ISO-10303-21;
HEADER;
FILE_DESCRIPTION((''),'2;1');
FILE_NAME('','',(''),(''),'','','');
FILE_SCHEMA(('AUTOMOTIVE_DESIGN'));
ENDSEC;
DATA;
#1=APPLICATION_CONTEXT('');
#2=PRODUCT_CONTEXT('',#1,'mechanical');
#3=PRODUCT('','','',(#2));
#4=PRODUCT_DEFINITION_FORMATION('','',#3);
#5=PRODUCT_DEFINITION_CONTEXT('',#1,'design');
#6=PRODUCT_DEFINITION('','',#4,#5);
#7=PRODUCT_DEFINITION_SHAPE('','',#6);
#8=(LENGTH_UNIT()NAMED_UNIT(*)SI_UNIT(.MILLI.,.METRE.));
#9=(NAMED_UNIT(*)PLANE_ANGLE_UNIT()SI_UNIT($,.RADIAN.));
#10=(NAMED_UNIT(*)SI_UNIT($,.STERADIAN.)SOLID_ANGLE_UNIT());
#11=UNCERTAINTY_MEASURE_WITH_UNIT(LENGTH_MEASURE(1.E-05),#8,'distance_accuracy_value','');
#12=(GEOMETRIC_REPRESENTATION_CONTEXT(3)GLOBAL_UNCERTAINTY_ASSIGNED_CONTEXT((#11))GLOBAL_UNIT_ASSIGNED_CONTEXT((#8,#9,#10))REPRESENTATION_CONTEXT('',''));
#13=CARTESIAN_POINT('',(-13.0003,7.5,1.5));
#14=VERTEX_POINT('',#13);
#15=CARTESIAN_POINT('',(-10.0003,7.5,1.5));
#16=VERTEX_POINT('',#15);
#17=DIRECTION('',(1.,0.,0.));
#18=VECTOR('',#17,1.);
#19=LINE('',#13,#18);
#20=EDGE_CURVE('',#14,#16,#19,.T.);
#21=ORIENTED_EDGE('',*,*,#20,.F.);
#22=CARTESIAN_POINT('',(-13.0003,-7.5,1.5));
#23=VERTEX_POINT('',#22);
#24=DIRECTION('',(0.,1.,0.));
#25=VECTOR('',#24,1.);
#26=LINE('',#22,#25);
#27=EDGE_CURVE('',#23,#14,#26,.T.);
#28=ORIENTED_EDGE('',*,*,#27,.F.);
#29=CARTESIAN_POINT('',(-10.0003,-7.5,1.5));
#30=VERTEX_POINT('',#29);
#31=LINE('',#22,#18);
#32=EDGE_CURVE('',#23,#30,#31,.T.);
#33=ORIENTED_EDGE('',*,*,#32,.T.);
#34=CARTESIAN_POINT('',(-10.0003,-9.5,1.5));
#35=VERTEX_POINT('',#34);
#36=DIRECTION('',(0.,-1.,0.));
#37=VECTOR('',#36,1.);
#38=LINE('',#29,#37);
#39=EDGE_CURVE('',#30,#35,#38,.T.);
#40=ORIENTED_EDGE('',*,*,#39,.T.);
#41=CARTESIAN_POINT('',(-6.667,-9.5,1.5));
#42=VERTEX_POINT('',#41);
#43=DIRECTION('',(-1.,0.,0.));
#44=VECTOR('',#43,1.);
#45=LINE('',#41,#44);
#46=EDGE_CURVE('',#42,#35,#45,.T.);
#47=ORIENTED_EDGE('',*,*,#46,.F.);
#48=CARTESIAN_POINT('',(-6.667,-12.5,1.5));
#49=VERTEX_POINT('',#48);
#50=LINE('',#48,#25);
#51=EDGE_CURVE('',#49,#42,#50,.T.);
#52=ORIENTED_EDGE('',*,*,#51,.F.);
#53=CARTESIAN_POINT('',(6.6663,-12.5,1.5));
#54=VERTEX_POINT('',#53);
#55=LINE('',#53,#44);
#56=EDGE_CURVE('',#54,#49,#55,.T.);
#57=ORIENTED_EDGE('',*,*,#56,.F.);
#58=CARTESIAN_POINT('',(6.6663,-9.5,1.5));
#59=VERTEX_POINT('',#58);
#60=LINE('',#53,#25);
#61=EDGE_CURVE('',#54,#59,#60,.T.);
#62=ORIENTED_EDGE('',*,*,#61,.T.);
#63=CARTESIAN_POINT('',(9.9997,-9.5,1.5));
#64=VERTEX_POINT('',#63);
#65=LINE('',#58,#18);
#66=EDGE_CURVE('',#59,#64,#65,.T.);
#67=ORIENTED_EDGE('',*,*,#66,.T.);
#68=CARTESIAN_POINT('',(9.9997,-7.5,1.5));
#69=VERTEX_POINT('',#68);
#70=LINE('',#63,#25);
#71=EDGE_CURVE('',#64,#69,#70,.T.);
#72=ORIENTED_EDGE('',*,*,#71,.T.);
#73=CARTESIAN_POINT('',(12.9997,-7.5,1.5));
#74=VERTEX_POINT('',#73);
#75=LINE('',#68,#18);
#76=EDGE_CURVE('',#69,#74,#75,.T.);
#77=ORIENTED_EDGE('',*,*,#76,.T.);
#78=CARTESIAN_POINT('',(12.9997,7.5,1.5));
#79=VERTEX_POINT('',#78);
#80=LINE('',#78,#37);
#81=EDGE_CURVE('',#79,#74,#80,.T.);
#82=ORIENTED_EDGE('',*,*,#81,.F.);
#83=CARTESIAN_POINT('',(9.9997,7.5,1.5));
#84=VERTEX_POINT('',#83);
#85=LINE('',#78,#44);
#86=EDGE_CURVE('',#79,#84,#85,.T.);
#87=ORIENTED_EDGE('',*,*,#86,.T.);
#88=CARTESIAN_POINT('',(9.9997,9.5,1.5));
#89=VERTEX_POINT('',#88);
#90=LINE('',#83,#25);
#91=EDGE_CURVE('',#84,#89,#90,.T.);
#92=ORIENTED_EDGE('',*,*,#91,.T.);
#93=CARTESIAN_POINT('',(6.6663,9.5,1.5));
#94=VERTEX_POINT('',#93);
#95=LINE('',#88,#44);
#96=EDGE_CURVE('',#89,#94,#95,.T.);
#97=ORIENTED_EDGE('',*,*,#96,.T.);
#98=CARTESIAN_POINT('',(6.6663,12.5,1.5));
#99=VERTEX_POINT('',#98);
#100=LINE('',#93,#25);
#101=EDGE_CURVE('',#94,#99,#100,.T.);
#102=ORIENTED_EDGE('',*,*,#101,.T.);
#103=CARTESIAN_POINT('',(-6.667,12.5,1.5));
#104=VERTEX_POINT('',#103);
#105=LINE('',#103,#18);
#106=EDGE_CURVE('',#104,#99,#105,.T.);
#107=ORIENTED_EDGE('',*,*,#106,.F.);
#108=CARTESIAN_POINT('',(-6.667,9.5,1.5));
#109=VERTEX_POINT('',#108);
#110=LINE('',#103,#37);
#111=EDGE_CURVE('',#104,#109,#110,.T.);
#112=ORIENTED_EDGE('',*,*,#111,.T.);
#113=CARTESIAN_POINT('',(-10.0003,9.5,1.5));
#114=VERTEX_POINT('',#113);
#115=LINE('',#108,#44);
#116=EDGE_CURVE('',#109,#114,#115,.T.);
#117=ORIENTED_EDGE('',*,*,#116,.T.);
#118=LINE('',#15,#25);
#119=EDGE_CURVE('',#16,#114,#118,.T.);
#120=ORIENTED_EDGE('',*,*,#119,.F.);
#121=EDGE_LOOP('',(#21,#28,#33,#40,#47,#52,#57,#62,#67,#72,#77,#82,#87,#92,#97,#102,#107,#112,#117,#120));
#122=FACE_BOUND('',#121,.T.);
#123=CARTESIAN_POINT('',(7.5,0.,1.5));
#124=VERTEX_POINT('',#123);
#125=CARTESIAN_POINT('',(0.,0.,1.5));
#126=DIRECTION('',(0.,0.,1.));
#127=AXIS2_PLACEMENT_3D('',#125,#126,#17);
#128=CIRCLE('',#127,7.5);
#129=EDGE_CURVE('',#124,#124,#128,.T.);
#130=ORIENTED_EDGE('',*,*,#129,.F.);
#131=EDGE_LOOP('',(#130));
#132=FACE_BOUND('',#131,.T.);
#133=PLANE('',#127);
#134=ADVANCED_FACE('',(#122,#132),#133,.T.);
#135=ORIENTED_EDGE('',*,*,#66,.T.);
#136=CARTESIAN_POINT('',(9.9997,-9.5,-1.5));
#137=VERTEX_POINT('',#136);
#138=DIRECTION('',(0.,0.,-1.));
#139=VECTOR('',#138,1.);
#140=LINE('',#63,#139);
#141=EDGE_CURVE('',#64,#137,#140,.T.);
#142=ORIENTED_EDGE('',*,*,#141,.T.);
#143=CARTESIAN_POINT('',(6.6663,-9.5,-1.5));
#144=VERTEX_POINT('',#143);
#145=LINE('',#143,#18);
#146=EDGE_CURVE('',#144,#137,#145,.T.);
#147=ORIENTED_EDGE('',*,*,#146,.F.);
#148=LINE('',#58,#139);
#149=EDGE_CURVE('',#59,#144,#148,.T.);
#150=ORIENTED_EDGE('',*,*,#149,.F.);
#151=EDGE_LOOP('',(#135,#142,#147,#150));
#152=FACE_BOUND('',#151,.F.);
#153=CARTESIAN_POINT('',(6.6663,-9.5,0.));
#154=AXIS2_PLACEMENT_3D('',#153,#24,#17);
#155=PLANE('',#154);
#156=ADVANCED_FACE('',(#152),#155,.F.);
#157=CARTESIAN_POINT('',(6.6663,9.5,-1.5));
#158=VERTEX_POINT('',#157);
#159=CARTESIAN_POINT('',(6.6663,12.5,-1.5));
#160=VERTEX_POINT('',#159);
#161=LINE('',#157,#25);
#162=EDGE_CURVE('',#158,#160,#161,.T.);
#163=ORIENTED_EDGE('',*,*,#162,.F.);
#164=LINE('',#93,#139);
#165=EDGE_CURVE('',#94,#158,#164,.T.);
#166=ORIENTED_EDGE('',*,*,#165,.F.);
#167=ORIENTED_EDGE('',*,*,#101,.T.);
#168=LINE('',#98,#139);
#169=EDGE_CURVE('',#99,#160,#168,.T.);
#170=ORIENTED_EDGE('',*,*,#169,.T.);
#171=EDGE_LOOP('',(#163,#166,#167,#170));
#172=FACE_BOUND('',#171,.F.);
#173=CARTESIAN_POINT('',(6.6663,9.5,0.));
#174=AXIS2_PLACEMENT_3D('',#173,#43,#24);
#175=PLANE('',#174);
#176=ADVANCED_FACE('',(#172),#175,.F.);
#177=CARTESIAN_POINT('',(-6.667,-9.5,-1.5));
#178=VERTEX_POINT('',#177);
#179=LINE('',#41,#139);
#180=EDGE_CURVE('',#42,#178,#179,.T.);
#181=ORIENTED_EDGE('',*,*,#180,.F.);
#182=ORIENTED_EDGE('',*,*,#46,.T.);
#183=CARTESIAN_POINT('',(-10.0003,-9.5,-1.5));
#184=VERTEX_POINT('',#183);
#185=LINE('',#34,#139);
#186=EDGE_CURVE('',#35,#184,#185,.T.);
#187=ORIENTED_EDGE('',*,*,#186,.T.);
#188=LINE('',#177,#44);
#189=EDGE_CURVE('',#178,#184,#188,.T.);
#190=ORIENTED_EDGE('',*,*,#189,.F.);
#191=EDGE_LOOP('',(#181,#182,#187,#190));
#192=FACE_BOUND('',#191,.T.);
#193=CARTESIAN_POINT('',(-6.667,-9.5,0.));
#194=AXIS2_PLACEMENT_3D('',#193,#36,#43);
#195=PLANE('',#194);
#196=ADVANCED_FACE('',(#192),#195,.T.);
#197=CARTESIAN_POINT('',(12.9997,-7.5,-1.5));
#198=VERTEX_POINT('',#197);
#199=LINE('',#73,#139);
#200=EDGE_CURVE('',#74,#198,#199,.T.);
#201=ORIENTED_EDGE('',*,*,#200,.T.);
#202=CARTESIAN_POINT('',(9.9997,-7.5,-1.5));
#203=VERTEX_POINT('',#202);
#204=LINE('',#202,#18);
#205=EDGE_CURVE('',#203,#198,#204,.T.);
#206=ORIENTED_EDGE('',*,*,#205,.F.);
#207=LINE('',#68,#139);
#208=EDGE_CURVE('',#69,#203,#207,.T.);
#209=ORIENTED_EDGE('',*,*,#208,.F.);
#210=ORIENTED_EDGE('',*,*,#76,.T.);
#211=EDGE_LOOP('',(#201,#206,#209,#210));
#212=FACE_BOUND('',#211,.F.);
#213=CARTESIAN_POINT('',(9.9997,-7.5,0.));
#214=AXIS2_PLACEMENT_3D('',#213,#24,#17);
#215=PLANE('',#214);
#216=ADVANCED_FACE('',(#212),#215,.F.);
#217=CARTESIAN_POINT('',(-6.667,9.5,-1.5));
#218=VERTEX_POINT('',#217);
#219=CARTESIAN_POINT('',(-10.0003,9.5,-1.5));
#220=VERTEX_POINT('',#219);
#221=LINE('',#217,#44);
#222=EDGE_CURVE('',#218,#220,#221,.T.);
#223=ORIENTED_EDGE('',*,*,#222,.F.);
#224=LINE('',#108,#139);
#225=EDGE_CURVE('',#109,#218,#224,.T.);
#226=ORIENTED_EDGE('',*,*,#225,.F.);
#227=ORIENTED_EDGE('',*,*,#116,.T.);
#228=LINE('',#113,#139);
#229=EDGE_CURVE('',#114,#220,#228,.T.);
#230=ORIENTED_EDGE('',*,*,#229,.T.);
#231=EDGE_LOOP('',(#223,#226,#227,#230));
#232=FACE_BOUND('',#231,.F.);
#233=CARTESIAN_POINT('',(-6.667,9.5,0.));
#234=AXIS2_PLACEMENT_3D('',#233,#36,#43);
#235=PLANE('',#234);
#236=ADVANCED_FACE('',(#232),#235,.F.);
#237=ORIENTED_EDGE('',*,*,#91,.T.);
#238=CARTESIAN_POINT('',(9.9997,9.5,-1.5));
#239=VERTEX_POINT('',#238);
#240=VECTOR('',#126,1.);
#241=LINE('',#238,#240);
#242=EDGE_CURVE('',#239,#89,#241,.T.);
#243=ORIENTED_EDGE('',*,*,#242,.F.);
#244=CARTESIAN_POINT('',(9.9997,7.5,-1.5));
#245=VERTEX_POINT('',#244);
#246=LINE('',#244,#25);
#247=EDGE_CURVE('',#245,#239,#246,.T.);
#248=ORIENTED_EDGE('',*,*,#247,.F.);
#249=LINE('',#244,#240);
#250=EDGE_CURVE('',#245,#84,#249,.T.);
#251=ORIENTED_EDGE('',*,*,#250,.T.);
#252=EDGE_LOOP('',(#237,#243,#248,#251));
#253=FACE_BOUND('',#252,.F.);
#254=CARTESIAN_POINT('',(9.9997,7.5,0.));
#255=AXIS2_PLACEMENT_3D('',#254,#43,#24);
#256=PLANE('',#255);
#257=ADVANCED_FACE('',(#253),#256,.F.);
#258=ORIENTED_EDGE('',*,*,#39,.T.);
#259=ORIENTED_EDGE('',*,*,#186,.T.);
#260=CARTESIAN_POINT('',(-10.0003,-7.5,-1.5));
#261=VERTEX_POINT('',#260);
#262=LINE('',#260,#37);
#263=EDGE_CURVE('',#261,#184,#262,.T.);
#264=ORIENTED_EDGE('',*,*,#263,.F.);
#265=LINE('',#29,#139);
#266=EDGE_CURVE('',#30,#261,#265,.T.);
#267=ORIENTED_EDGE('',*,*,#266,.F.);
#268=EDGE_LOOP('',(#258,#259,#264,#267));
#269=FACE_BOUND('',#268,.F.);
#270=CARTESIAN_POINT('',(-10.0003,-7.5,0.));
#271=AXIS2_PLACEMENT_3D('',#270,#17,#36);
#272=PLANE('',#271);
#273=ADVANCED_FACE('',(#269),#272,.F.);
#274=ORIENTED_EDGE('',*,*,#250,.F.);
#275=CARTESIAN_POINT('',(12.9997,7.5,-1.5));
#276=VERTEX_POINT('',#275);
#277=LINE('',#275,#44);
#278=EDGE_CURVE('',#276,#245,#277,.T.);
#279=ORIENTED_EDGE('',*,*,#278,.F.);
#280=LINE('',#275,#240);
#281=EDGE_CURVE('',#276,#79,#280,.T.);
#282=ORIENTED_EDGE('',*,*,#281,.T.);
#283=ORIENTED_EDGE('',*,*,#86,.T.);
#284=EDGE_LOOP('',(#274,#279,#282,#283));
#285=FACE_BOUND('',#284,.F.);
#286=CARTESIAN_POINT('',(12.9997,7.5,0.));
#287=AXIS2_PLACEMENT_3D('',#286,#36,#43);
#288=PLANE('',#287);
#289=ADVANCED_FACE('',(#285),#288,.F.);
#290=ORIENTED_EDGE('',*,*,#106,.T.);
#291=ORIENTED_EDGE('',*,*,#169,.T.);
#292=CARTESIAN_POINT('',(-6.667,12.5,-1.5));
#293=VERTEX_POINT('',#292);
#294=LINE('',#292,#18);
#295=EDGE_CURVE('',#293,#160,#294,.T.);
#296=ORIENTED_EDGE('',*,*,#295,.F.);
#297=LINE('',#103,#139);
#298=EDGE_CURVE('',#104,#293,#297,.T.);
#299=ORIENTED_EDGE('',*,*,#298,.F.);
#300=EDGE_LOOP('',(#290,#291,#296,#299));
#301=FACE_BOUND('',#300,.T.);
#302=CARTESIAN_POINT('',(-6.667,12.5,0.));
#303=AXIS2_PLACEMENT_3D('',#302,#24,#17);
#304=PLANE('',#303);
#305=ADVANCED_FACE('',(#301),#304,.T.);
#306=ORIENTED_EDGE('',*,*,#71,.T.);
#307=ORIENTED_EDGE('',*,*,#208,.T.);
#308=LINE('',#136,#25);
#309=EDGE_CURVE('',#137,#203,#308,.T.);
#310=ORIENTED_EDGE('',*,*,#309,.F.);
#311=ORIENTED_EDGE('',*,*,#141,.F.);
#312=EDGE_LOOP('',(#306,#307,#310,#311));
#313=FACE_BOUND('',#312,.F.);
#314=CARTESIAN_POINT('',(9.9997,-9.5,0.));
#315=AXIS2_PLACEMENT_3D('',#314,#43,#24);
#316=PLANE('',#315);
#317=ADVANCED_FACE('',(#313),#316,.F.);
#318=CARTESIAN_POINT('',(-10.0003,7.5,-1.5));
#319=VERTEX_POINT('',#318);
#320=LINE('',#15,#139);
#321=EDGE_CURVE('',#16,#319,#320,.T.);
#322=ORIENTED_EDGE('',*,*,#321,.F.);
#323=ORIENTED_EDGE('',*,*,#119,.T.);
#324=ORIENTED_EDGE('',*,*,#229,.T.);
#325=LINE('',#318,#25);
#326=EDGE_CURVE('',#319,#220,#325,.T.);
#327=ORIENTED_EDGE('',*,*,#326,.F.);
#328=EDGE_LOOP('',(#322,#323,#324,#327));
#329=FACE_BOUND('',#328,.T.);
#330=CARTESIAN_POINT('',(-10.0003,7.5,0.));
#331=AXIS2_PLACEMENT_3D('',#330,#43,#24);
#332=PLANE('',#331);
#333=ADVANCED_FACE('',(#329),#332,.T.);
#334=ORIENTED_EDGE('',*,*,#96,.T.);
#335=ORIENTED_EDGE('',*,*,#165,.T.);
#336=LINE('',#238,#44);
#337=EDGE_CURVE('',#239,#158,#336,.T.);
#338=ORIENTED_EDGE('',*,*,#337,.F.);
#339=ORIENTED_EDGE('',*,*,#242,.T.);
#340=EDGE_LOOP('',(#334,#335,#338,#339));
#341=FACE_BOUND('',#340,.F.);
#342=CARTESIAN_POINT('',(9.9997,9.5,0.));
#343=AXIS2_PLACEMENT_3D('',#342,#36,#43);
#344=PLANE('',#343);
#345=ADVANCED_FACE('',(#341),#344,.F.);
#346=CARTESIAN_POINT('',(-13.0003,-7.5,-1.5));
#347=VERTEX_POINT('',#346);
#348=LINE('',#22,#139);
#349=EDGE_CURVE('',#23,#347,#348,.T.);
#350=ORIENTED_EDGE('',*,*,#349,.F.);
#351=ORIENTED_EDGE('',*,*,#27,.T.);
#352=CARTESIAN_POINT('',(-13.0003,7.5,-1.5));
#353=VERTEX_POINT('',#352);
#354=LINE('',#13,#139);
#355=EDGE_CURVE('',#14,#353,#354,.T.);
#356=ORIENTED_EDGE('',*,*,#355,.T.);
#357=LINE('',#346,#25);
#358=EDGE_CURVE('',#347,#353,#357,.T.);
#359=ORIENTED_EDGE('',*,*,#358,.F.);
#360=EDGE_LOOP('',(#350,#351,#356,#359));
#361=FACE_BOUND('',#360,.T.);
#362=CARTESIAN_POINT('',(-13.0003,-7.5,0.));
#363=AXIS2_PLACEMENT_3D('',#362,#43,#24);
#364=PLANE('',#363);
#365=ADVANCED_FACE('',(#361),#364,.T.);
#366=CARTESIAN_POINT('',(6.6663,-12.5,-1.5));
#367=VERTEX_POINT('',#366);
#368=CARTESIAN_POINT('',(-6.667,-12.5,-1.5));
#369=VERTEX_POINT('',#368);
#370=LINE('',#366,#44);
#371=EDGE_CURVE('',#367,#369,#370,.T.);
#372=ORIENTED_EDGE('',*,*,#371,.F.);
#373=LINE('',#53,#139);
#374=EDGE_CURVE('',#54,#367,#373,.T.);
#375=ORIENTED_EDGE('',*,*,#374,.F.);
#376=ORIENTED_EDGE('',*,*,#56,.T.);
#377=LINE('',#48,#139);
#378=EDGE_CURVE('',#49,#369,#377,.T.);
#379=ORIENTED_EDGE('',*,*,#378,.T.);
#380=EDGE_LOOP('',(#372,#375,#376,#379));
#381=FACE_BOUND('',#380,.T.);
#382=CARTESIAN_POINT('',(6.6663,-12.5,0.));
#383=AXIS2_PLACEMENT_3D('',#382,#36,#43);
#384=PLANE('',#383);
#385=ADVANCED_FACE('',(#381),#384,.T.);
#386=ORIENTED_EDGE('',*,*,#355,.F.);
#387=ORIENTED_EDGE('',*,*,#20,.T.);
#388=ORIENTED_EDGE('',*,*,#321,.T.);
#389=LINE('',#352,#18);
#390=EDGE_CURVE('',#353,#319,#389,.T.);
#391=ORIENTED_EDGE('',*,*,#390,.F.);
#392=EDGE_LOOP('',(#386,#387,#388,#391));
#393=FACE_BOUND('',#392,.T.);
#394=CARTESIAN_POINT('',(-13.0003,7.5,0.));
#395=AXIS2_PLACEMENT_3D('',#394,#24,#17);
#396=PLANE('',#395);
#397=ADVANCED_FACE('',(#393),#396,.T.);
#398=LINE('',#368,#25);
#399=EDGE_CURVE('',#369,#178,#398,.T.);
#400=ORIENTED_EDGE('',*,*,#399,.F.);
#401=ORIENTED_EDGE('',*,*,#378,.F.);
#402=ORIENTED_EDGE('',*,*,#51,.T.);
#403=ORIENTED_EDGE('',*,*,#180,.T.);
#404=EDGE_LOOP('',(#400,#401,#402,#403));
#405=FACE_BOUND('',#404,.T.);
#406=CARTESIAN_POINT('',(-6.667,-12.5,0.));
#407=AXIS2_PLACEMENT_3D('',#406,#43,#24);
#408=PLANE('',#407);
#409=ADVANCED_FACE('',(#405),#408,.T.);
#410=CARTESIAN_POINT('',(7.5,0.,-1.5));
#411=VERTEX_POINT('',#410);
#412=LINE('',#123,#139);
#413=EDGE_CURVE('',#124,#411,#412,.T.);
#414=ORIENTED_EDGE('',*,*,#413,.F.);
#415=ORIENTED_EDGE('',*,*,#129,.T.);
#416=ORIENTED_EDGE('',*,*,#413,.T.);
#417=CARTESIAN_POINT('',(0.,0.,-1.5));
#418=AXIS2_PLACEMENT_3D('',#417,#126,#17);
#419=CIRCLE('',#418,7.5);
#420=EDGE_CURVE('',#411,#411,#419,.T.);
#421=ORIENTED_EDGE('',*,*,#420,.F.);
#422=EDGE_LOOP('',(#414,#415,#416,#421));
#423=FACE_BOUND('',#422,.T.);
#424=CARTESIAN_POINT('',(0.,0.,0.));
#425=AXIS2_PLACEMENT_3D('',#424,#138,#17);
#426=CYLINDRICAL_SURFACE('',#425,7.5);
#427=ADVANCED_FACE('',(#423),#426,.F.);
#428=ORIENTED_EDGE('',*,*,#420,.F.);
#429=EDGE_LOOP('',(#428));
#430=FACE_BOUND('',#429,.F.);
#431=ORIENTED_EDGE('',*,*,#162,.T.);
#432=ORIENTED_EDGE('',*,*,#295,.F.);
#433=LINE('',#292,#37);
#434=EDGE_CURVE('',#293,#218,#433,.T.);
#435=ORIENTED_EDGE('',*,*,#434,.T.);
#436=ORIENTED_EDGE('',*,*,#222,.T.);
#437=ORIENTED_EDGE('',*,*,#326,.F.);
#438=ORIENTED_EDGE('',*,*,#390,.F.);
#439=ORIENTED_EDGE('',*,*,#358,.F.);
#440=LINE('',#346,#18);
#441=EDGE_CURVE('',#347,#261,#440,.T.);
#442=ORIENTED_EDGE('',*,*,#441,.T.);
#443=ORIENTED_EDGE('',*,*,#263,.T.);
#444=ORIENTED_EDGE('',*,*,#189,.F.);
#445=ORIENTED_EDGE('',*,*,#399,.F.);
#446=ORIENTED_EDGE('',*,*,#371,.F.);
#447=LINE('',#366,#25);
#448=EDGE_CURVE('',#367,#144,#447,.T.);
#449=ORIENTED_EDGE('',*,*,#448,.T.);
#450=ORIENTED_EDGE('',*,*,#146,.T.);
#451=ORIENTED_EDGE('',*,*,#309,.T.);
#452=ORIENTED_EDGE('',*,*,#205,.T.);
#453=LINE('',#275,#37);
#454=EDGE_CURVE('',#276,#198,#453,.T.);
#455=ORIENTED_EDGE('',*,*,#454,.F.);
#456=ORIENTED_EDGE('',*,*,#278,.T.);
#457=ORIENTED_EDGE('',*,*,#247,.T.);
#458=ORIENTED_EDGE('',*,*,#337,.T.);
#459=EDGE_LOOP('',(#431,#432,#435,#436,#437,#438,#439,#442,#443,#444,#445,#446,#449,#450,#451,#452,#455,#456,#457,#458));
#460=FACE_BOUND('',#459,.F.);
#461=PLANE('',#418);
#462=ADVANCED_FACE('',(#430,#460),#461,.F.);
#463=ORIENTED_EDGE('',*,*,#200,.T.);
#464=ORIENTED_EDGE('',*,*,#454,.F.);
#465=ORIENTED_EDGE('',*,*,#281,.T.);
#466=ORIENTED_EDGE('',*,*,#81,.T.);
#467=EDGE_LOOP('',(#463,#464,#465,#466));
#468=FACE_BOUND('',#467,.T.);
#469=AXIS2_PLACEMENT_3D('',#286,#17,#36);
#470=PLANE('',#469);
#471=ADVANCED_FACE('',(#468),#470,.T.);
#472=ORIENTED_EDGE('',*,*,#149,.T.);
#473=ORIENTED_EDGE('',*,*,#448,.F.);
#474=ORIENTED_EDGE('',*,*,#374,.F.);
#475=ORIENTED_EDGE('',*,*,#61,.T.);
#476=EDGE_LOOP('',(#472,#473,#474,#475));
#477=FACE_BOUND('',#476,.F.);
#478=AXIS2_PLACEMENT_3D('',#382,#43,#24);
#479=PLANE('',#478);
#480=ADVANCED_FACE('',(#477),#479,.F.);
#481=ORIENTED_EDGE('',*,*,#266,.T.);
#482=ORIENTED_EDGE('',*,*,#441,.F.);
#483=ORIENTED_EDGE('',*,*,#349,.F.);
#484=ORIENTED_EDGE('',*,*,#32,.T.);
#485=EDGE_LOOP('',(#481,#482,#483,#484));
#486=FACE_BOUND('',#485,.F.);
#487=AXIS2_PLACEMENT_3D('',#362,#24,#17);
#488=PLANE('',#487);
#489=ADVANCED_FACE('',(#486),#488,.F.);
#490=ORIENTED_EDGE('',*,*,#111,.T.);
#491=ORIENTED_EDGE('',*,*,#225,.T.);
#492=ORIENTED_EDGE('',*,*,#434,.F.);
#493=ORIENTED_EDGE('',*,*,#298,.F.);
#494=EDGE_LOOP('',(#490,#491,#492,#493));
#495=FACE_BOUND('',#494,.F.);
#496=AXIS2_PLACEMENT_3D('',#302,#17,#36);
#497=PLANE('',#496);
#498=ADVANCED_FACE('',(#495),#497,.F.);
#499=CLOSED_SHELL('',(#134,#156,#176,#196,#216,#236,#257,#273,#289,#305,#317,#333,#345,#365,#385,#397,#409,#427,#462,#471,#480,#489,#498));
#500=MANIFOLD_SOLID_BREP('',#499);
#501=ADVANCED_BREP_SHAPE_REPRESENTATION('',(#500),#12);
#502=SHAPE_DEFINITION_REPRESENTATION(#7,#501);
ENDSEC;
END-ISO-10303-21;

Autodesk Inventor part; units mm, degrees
ref_plane "YZ Plane" through (0, 0, 0) normal (1, 0, 0) x (0, 1, 0)
ref_plane "XZ Plane" through (0, 0, 0) normal (0, 1, 0) x (-1, 0, 0)
ref_plane "XY Plane" through (0, 0, 0) normal (0, 0, 1) x (1, 0, 0)
sketch "Sketch1" plane through (0, 0, 0) normal (0, 0, 1) x (1, 0, 0)
  circle A0 centre (0, 0) radius 7.5
  line L0 (12.9997, 7.5) -> (9.9997, 7.5)
  line L1 (9.9997, 7.5) -> (9.9997, 9.5)
  line L2 (9.9997, -9.5) -> (9.9997, -7.5)
  line L3 (9.9997, -7.5) -> (12.9997, -7.5)
  line L4 (-6.667, -12.5) -> (-6.667, -9.5)
  line L5 (-6.667, -9.5) -> (-10.0003, -9.5)
  line L6 (6.6663, -12.5) -> (6.6663, -9.5)
  line L7 (6.6663, -9.5) -> (9.9997, -9.5)
  line L8 (-13.0003, -7.5) -> (-10.0003, -7.5)
  line L9 (-10.0003, -7.5) -> (-10.0003, -9.5)
  line L10 (-13.0003, 7.5) -> (-10.0003, 7.5)
  line L11 (-10.0003, 7.5) -> (-10.0003, 9.5)
  line L12 (-6.667, 12.5) -> (-6.667, 9.5)
  line L13 (-6.667, 9.5) -> (-10.0003, 9.5)
  line L14 (9.9997, 9.5) -> (6.6663, 9.5)
  line L15 (6.6663, 9.5) -> (6.6663, 12.5)
  line L16 (12.9997, 7.5) -> (12.9997, -7.5)
  line L17 (-6.667, 12.5) -> (6.6663, 12.5)
  line L18 (-13.0003, -7.5) -> (-13.0003, 7.5)
  line L19 (6.6663, -12.5) -> (-6.667, -12.5)
  line L20 (12.9997, -7.5) -> (12.9997, 7.5)
  line L21 (-20.9424, 0) -> (31.3224, 0) construction
  line L22 (-0.0003, 36) -> (-0.0003, -23) construction
  dimension "d0" = 15
  dimension "d3" = 3
  dimension "d5" = 3
  dimension "d6" = 3
  dimension "d15" = 25
  dimension "d16" = 3
  dimension "d18" = 20
  dimension "d19" = 13.3333
  dimension "d20" = 15
extrude "Extrusion1" add sketch "Sketch1" along normal mid plane 3
equation "\"d19\" = 0.666667 * d18"
properties part number "Camera-Holder_Bearing-Ring-Middle"
